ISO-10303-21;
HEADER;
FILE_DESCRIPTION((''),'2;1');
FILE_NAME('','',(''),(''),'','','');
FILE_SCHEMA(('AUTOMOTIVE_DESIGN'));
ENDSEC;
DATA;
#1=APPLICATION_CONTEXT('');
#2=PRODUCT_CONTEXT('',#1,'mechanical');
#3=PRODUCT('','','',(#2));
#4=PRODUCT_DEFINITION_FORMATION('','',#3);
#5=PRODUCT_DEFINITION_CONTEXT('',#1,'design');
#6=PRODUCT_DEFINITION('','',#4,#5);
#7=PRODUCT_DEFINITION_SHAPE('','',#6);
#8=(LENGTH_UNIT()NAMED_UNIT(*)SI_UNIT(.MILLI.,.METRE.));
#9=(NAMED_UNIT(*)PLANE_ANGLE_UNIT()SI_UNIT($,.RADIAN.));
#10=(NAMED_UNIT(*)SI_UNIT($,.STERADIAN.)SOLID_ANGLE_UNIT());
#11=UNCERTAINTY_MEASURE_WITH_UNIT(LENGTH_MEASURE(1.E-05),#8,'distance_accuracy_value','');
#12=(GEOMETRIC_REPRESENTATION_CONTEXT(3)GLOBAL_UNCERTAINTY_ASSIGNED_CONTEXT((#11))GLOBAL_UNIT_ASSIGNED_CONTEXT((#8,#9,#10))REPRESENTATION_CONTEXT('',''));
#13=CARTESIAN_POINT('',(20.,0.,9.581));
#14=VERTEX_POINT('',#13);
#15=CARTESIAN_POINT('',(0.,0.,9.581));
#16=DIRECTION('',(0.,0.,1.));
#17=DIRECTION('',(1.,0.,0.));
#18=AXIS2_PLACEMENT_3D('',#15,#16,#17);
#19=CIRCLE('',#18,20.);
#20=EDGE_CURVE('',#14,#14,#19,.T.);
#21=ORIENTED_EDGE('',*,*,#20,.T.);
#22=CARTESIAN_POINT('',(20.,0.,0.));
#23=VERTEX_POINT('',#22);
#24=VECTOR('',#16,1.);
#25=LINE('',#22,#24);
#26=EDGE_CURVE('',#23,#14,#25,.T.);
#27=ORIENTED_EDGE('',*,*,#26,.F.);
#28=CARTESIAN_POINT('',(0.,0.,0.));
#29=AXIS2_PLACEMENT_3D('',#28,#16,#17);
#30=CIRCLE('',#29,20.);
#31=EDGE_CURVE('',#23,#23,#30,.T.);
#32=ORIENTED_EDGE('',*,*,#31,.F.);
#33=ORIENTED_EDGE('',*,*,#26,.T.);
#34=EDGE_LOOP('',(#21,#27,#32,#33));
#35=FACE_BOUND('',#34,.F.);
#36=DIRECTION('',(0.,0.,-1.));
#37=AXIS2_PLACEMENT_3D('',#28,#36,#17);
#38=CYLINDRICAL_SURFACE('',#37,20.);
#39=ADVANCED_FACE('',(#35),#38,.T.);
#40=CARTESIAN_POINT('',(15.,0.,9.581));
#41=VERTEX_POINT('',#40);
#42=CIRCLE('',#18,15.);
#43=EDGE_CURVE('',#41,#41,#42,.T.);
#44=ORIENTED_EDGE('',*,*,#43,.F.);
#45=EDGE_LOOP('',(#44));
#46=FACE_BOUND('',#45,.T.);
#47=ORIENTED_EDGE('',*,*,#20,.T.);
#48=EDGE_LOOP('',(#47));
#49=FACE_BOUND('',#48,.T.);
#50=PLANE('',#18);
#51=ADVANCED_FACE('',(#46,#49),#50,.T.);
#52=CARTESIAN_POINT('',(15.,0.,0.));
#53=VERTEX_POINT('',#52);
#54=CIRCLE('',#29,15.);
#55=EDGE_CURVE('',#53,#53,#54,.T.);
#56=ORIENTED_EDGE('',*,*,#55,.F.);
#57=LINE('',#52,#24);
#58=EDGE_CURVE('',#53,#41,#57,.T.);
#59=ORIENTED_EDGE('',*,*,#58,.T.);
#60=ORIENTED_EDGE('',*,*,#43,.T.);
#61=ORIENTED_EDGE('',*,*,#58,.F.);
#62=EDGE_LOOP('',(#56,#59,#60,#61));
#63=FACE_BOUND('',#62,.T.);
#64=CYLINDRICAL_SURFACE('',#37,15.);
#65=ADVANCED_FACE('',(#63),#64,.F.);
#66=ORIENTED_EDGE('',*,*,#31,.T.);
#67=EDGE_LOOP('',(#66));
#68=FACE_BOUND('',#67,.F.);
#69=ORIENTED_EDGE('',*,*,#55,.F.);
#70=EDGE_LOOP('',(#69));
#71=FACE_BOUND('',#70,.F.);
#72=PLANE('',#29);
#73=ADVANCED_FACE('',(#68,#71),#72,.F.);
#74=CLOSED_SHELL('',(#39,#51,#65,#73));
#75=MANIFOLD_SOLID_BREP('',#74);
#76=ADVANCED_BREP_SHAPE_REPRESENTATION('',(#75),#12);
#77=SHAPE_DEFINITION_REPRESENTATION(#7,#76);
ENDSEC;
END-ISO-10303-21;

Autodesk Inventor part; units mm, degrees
ref_plane "YZ Plane" through (0, 0, 0) normal (1, 0, 0) x (0, 1, 0)
ref_plane "XZ Plane" through (0, 0, 0) normal (0, 1, 0) x (-1, 0, 0)
ref_plane "XY Plane" through (0, 0, 0) normal (0, 0, 1) x (1, 0, 0)
sketch "草图1" plane through (0, 0, 0) normal (0, 0, 1) x (1, 0, 0)
  circle A0 centre (0, 0) radius 20
  circle A1 centre (0, 0) radius 15
  dimension "d0" = 40
  dimension "d1" = 30
extrude "拉伸1" add sketch "草图1" along normal blind 9.581
properties part number "主动轮锥齿轮配件" material "铝 6061"
